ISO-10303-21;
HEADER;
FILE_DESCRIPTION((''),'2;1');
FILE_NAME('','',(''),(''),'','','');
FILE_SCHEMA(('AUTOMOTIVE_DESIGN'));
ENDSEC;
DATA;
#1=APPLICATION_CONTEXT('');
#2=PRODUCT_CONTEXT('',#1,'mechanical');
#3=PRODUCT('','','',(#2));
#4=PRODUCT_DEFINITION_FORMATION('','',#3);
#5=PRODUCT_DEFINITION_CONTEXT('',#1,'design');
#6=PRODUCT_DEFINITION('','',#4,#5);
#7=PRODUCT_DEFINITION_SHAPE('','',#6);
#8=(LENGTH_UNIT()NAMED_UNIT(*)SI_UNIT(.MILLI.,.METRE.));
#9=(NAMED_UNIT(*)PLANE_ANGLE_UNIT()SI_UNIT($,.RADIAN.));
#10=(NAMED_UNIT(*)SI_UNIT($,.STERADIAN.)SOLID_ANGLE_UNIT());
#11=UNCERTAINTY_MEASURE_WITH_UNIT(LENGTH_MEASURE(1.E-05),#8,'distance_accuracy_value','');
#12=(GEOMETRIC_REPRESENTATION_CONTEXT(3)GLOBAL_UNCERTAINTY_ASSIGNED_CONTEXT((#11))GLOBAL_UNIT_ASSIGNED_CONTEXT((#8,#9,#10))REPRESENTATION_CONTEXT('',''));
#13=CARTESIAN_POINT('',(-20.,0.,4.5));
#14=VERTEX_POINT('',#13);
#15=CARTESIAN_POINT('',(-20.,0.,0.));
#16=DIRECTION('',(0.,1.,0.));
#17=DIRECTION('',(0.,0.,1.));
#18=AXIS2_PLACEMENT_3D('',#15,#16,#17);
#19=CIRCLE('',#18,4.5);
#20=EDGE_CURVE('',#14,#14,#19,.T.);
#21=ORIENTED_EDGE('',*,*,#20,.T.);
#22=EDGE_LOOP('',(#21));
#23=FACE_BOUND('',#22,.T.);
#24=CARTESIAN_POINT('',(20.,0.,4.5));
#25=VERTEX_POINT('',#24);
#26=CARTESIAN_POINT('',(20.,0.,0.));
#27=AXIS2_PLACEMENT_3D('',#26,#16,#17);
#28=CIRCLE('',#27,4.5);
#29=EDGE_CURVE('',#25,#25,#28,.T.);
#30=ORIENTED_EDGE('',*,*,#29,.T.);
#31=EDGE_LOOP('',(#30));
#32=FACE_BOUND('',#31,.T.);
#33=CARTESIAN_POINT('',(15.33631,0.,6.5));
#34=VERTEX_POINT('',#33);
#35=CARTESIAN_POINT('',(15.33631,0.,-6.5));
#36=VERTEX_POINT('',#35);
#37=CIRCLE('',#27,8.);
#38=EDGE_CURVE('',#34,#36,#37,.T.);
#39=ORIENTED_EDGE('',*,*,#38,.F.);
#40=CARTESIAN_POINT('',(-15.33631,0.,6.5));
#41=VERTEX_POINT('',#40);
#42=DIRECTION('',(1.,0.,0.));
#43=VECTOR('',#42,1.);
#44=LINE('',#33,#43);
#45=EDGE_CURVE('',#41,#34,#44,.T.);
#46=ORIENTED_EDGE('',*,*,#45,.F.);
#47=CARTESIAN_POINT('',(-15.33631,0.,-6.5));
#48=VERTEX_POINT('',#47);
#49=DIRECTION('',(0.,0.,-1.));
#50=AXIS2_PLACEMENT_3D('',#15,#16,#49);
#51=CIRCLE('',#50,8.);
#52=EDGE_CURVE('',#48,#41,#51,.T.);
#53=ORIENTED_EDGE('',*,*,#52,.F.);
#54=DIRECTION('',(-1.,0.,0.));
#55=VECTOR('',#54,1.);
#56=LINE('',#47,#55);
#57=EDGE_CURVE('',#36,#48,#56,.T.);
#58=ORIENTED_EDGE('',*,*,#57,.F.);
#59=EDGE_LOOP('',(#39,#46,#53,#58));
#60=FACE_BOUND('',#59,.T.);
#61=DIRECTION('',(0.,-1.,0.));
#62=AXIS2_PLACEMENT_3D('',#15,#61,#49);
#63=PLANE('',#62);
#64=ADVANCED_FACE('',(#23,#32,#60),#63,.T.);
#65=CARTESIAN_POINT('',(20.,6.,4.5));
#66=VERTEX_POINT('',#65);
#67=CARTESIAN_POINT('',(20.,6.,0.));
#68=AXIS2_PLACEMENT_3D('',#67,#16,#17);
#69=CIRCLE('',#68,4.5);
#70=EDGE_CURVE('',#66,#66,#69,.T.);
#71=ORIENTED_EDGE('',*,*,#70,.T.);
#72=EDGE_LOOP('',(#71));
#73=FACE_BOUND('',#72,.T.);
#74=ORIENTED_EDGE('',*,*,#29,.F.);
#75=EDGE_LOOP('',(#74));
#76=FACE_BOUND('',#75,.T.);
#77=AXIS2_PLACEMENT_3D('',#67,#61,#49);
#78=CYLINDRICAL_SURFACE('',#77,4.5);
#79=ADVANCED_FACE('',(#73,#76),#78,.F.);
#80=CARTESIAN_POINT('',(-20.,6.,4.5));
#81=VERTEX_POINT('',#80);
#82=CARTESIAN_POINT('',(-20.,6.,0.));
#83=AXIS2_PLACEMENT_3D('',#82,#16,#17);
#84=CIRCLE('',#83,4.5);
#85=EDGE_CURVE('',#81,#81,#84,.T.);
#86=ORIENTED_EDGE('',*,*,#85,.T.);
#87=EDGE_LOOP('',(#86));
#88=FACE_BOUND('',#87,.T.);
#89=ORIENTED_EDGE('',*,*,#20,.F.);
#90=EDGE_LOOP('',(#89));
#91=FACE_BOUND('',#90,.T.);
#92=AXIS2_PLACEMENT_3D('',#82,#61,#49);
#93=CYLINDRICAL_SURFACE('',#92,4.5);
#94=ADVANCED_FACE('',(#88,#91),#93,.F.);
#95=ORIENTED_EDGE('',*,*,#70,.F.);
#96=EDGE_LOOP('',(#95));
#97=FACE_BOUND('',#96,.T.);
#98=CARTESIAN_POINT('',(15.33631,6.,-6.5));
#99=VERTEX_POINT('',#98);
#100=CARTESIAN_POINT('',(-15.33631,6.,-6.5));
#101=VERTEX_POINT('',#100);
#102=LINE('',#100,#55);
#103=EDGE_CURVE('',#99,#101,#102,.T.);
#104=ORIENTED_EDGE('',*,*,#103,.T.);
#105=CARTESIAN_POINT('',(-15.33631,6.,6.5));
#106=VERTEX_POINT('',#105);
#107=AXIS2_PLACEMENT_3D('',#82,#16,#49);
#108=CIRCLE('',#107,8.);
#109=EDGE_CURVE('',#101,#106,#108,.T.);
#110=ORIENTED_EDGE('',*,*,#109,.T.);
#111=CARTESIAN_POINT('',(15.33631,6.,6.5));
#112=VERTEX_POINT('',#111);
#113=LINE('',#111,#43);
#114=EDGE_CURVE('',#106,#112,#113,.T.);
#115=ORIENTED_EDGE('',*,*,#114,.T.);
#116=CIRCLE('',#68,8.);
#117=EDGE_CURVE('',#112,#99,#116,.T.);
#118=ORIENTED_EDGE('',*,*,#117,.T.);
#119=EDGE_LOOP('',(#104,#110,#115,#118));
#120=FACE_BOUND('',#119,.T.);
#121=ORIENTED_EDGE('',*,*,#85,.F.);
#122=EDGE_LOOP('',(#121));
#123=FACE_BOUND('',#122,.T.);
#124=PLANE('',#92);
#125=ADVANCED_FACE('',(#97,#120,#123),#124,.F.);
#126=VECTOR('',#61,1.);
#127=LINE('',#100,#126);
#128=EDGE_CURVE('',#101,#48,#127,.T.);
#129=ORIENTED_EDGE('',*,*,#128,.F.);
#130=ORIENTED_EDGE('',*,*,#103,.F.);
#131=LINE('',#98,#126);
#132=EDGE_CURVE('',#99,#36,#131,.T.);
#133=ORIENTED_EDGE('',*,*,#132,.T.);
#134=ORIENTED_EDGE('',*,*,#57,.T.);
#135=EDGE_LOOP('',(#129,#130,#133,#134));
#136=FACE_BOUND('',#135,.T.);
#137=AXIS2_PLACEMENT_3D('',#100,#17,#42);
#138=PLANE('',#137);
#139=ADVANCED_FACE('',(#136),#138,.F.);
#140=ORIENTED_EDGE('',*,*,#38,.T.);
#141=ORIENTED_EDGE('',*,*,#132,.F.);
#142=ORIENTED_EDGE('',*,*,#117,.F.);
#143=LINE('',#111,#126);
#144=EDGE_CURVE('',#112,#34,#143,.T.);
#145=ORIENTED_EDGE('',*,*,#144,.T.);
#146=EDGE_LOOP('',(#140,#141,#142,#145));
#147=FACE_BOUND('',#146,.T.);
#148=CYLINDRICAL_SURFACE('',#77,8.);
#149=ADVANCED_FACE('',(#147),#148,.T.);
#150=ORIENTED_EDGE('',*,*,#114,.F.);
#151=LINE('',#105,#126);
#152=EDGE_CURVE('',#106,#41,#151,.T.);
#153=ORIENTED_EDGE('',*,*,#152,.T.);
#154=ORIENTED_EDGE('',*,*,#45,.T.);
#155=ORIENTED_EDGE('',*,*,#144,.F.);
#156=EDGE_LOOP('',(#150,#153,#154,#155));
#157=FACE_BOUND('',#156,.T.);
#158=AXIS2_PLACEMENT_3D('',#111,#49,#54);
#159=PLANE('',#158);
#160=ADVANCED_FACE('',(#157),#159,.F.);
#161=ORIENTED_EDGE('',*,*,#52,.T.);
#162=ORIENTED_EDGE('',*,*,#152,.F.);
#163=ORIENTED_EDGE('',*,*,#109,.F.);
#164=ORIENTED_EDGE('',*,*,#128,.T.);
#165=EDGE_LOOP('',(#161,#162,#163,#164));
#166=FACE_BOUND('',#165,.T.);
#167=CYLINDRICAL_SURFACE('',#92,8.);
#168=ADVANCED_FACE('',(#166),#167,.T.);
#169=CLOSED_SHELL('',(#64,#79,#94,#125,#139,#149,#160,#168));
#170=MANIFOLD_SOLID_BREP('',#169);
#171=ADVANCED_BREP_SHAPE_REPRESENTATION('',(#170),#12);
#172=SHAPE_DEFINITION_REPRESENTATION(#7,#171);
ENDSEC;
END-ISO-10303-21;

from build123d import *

# Parameters (mm, degrees)
SKETCH_1_R      = 4.5
EXTRUDE_1_DEPTH = 6


with BuildPart() as part:
    # 草图1 → 凸台-拉伸1 (new body)
    with BuildSketch(Plane(origin=(0, 0, 0), x_dir=(1, 0, 0), z_dir=(0, 1, 0))):
        with BuildLine():
            Line((-15.336310473, 6.5), (15.336310473, 6.5))
            ThreePointArc((15.336310473, 6.5), (28, 0), (15.336310473, -6.5))
            Line((15.336310473, -6.5), (-15.336310473, -6.5))
            ThreePointArc((-15.336310473, -6.5), (-28, 0), (-15.336310473, 6.5))
        make_face()
        with Locations(Location((-20, 0, 0), (0, 0, 270))):
            Circle(SKETCH_1_R, mode=Mode.SUBTRACT)
        with Locations(Location((20, 0, 0), (0, 0, 270))):
            Circle(SKETCH_1_R, mode=Mode.SUBTRACT)
    extrude(amount=EXTRUDE_1_DEPTH)


solid = part.part
